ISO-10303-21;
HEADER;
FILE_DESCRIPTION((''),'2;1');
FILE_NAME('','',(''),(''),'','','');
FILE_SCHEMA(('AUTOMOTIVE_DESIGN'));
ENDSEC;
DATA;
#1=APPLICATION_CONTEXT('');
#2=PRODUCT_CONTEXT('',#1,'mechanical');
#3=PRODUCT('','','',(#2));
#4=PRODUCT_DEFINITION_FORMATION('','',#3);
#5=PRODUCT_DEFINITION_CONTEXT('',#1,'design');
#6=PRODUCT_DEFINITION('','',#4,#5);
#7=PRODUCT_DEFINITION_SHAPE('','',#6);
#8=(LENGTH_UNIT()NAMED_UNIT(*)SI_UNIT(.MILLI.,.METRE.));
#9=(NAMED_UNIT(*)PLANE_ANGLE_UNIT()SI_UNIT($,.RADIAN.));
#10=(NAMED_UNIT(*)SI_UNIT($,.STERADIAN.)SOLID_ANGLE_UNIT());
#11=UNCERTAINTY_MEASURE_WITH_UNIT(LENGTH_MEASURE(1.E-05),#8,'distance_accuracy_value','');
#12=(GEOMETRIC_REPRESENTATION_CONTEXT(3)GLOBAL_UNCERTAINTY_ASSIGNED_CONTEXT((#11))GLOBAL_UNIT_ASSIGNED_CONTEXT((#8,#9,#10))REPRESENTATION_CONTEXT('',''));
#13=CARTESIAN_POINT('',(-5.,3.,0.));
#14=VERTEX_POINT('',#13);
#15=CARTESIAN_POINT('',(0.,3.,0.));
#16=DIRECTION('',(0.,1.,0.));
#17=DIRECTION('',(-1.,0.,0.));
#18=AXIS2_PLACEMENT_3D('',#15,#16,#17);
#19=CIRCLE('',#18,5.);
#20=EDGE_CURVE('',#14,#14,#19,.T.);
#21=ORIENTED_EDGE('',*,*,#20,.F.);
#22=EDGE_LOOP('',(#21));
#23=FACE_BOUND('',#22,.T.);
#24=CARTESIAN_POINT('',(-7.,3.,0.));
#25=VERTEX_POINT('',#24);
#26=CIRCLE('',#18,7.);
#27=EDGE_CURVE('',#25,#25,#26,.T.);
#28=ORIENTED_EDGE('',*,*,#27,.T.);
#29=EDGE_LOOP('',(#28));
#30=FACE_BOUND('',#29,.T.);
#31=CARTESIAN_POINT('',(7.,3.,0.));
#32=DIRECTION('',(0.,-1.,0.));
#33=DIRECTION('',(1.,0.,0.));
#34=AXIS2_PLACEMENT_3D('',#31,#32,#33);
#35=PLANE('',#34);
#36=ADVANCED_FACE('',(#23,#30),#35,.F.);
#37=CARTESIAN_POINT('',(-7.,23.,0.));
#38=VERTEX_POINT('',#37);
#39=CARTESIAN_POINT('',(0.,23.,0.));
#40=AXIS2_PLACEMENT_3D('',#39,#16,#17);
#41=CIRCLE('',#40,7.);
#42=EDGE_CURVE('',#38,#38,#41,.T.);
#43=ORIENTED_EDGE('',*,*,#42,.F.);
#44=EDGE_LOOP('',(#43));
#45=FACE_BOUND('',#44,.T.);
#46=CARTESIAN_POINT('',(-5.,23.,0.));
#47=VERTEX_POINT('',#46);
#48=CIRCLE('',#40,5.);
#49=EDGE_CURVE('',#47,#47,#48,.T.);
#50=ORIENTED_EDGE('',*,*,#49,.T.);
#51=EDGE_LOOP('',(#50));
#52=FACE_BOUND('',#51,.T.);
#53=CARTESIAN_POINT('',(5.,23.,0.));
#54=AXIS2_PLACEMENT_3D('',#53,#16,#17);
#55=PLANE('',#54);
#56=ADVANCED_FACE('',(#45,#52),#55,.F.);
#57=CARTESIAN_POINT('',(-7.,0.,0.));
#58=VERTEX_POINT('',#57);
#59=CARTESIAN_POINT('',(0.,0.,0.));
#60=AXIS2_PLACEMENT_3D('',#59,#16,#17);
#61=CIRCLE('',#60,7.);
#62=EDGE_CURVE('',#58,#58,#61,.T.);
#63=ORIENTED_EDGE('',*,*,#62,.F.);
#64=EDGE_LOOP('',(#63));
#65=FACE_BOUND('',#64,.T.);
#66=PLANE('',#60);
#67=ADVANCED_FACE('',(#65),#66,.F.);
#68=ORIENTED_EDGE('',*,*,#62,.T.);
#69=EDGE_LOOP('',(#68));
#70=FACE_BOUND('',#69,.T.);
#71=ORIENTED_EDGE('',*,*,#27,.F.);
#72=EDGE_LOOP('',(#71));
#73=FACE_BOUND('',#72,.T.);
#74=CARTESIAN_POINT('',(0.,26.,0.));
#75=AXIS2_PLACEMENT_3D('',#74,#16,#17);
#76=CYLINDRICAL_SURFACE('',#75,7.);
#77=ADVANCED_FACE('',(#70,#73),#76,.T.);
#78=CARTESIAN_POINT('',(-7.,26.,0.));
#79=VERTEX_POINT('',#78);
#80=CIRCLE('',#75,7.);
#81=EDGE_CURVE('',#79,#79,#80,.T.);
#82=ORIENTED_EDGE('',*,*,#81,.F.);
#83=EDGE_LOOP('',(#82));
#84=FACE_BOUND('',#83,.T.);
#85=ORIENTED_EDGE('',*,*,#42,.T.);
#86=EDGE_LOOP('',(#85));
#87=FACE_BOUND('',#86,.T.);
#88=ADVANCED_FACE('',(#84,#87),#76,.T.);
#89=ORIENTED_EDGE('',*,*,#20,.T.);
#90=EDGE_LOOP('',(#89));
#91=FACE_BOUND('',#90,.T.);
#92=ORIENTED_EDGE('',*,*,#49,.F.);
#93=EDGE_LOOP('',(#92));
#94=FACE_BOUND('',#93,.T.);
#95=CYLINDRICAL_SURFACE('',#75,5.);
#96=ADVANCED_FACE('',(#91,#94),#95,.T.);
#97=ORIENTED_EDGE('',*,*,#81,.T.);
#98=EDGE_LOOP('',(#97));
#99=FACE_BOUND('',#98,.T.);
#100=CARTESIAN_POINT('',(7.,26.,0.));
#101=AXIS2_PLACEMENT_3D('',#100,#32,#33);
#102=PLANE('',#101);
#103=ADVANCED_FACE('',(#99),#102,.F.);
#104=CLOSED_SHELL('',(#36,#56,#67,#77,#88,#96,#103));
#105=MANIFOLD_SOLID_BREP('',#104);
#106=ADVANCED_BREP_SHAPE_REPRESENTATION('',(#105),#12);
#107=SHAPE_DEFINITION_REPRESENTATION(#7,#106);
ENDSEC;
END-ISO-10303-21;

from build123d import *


with BuildPart() as part:
    # Sketch1 → Revolve1 (revolve)
    with BuildSketch(Plane.XY):
        Polygon((0, 0), (7, 0), (7, 3), (5, 3), (5, 23), (7, 23), (7, 26), (0, 26), align=None)
    revolve(axis=Axis((0, 26, 0), (0, -1, 0)))


solid = part.part
